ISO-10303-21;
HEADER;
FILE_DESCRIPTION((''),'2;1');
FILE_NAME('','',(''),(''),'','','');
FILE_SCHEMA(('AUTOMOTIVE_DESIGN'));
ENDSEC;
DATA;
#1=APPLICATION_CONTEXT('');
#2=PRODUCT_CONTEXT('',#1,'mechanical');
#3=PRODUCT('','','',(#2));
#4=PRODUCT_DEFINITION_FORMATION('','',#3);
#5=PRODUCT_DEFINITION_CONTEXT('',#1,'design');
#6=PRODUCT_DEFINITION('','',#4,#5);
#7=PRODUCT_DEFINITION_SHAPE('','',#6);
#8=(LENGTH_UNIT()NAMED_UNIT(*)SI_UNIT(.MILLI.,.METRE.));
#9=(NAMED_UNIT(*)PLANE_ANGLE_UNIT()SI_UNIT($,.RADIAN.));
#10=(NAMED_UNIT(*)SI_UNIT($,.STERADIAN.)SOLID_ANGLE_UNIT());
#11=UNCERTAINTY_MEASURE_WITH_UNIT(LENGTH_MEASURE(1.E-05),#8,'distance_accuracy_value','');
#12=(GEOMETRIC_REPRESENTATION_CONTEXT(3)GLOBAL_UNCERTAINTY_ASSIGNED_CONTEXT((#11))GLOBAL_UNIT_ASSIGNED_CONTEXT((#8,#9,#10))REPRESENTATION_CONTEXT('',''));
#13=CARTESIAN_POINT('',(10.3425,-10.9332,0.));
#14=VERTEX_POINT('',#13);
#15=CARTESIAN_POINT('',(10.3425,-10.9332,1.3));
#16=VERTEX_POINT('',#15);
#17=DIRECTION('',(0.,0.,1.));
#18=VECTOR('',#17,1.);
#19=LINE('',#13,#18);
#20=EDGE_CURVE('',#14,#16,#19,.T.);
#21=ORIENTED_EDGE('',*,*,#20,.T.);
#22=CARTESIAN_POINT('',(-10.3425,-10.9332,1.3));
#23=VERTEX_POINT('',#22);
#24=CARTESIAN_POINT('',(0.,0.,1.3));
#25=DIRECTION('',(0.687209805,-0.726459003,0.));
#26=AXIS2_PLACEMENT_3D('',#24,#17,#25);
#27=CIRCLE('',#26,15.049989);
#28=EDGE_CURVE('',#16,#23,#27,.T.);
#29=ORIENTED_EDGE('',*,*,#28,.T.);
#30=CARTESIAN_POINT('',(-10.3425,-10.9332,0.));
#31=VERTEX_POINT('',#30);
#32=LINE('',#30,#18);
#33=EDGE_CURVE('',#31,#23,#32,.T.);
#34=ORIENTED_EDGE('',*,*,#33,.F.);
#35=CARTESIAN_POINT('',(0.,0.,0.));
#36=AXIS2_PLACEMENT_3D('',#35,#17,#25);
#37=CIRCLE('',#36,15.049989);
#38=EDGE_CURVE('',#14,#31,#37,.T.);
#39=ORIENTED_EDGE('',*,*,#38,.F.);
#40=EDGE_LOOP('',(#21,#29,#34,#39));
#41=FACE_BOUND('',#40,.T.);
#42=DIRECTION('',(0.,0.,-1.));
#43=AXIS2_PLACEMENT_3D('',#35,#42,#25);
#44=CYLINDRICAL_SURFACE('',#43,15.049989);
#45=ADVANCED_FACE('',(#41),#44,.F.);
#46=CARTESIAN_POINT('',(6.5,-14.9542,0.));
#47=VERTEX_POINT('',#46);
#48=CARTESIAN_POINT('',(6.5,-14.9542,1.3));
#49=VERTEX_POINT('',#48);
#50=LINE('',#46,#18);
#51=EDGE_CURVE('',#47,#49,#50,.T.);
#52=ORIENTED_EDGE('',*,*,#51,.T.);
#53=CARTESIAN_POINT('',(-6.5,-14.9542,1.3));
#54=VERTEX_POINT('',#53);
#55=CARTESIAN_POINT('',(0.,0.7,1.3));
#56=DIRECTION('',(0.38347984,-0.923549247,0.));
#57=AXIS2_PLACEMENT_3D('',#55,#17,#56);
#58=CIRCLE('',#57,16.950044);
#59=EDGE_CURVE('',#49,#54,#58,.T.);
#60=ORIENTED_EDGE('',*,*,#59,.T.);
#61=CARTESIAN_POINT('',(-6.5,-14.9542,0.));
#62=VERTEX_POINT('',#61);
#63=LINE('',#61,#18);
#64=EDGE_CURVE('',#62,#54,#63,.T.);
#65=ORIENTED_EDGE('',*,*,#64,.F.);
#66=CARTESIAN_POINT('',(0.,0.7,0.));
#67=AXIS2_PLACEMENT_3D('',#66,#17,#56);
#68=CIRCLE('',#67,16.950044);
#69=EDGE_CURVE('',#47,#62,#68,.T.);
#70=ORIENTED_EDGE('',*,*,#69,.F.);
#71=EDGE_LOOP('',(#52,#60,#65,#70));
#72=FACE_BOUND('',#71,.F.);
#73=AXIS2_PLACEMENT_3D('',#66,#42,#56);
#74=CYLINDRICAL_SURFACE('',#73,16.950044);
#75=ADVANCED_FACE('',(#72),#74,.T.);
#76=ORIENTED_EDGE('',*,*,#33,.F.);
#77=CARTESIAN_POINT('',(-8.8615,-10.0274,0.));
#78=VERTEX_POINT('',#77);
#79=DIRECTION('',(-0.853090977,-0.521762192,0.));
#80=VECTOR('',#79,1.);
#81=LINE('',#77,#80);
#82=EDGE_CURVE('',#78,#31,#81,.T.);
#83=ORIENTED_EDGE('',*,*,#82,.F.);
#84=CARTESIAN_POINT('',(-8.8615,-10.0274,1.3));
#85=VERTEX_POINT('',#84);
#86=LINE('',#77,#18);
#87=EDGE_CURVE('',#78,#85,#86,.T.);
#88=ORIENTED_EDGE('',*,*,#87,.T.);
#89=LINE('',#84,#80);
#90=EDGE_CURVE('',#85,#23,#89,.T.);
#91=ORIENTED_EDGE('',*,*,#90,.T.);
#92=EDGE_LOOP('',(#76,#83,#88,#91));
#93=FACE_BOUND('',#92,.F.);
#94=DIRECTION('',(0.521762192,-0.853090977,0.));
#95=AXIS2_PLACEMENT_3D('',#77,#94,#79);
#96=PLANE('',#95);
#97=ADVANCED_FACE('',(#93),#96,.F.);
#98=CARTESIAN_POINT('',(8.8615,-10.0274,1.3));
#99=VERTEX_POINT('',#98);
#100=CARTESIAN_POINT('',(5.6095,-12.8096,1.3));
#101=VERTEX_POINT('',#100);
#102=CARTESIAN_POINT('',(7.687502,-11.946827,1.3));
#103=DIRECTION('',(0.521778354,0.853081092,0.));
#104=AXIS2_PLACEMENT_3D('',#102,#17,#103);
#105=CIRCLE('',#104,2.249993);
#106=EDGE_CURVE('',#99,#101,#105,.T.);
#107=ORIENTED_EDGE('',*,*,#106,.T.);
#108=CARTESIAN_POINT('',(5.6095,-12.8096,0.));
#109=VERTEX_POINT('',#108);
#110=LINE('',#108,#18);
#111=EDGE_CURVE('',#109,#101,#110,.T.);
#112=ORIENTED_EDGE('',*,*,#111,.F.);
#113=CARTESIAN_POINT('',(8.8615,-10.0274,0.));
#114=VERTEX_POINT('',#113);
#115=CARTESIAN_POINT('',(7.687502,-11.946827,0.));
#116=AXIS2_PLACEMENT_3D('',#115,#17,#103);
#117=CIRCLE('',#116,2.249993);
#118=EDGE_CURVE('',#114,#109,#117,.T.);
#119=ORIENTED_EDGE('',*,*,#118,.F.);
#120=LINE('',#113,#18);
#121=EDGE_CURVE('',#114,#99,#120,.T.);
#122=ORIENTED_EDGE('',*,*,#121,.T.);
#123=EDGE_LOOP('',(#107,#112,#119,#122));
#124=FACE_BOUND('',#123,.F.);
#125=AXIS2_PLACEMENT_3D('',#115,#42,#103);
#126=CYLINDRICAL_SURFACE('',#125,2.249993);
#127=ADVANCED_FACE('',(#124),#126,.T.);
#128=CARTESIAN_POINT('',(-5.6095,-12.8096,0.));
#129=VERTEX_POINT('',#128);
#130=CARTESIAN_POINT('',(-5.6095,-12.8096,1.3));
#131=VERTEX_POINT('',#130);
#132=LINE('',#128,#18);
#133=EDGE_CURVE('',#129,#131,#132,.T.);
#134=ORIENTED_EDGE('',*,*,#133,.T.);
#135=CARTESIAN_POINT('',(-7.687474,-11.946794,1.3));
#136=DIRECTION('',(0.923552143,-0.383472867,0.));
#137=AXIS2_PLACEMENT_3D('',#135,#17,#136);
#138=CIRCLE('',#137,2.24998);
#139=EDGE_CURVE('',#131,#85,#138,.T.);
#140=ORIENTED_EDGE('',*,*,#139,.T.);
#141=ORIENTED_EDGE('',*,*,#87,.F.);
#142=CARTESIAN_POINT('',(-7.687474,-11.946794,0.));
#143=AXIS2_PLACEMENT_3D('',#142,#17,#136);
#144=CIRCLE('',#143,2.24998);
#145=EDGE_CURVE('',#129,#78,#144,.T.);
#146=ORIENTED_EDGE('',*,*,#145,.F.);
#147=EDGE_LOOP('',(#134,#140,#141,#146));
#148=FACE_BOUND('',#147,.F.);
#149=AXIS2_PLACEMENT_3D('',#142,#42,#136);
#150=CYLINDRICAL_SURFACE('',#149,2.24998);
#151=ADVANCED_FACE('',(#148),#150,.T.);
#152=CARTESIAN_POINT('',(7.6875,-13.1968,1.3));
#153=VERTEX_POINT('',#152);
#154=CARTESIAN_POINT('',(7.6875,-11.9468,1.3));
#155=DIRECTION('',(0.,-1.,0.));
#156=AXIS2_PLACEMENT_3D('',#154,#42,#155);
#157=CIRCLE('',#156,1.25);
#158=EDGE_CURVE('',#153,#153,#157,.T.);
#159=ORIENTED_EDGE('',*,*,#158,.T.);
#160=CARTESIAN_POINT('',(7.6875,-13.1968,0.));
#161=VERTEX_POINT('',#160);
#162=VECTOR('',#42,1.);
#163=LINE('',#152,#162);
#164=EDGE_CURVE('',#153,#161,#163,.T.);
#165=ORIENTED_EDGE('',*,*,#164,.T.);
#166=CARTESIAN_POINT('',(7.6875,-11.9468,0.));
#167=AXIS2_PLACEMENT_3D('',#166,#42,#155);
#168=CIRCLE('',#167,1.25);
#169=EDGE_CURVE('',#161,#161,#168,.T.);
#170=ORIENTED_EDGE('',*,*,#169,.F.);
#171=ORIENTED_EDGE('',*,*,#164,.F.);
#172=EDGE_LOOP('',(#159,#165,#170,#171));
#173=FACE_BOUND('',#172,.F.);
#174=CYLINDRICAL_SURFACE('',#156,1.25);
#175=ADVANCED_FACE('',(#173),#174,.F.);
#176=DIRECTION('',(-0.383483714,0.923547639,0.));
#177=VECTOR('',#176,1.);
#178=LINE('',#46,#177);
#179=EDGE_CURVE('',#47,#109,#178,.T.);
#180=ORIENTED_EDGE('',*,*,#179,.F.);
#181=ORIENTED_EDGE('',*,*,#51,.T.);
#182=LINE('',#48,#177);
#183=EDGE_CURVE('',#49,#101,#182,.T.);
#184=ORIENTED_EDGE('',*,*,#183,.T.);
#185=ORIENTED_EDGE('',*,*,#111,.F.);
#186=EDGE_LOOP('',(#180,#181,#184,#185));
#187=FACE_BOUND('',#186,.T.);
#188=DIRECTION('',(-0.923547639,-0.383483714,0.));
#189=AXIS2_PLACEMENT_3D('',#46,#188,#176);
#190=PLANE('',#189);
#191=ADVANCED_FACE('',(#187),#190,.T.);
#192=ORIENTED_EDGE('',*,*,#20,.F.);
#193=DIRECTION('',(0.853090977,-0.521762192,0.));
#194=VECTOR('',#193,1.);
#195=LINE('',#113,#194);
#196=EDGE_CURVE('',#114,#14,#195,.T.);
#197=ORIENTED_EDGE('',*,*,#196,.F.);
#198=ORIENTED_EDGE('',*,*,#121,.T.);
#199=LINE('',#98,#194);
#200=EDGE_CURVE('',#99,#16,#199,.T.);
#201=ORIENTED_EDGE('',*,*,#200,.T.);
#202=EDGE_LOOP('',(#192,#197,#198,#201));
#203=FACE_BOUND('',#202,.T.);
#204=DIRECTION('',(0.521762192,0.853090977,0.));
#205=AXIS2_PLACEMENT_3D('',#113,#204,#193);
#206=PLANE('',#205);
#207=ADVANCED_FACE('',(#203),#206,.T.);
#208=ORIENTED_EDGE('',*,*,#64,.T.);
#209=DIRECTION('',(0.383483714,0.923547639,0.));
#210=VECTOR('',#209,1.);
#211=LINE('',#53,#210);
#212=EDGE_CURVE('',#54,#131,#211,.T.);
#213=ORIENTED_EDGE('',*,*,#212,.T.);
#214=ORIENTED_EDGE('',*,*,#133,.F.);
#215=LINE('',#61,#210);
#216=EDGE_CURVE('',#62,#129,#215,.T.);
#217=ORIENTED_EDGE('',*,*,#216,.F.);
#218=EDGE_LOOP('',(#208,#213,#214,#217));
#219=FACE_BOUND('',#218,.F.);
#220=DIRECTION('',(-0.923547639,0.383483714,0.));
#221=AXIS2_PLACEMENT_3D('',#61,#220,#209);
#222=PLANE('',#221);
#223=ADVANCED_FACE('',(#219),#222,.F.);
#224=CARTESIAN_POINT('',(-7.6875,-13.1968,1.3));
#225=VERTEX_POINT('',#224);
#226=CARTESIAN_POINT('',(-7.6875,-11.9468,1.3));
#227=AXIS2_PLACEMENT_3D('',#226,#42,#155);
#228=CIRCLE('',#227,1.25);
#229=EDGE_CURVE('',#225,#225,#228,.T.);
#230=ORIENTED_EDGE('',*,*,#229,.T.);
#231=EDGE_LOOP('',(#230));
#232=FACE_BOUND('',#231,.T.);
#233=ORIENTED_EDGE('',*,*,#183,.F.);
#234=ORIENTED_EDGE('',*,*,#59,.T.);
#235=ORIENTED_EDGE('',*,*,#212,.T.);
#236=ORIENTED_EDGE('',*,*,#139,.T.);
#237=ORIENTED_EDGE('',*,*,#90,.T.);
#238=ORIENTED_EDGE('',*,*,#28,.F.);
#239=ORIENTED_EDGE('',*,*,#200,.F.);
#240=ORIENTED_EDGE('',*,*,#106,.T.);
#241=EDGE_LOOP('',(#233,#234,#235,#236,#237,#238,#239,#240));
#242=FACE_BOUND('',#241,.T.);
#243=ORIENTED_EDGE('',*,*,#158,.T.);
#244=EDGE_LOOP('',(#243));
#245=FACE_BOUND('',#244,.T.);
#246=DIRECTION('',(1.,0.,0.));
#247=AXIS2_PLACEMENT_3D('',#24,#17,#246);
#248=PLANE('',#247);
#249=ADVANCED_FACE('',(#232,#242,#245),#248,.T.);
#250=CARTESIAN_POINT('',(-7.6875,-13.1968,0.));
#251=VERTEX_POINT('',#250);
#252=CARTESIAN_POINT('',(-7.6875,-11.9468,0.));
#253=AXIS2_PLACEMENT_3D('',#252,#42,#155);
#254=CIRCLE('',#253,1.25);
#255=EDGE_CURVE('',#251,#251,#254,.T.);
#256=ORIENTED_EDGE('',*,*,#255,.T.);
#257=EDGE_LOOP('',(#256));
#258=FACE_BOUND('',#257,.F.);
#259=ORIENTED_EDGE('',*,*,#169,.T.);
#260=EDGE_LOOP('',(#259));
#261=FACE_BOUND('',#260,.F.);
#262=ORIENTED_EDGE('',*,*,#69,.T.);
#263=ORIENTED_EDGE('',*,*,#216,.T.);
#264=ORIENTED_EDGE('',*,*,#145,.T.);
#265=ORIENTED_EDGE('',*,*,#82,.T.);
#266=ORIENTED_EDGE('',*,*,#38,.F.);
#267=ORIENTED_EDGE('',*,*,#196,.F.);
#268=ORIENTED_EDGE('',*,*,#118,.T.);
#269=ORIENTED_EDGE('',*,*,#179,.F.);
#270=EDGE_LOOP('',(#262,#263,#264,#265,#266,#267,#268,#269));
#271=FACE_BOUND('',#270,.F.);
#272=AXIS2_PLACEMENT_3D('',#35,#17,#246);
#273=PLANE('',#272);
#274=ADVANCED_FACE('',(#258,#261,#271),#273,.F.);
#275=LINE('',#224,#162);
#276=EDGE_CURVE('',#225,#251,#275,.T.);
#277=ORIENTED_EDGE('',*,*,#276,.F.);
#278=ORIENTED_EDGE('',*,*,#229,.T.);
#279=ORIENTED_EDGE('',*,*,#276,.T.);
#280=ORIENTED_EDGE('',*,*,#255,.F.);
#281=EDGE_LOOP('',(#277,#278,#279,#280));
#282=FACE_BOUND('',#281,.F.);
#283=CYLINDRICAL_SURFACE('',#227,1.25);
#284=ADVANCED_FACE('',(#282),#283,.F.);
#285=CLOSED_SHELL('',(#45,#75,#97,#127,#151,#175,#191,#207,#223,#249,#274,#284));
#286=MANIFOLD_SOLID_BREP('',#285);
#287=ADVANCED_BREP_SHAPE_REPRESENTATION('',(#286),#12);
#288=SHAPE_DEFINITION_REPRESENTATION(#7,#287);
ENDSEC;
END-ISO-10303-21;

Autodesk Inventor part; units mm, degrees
ref_plane "WorkPlane1" through (0, 0, 0) normal (0, 0, 1) x (1, 0, 0)
ref_plane "Work Plane2" through (0, 0, -1.3) normal (0, 0, 1) x (1, 0, 0)
ref_plane "WorkPlane2" through (0, 0, 1) normal (0, 0, 1) x (1, 0, 0)
sketch "Szkic1" plane through (0, 0, 0) normal (0, 0, 1) x (1, 0, 0)
  point P0 (0, 0)
sketch "Szkic2" plane through (0, 0, 0) normal (0, 0, 1) x (1, 0, 0)
  line L0 (6.5, -14.9542) -> (5.6095, -12.8096)
  arc A0 (8.8615, -10.0274) -> (5.6095, -12.8096) centre (7.6875, -11.9468) ccw
  line L1 (8.8615, -10.0274) -> (10.3425, -10.9332)
  arc A1 (10.3425, -10.9332) -> (-10.3425, -10.9332) centre (0, 0) ccw
  line L2 (-8.8615, -10.0274) -> (-10.3425, -10.9332)
  arc A2 (-5.6095, -12.8096) -> (-8.8615, -10.0274) centre (-7.6875, -11.9468) ccw
  line L3 (-6.5, -14.9542) -> (-5.6095, -12.8096)
  arc A3 (6.5, -14.9542) -> (-6.5, -14.9542) centre (0, 0.7) ccw
  line L4 (0, 0.7) -> (-6.5, -14.9542) construction
  line L5 (0, 0.7) -> (6.5, -14.9542) construction
  dimension "d2" = 16.95
  dimension "d4" = 0
  dimension "d6" = 15.05
  dimension "d8" = 0.7
  dimension "d10" = 6.5
  dimension "d12" = 6.5
  dimension "d14" = 2.25
  dimension "d16" = 2.25
  dimension "d18" = 14.8
  dimension "d20" = 14.8
  dimension "d22" = 36
  dimension "d24" = 36
extrude "Wyciągnięcie proste1" add sketch "Szkic2" along normal blind 1.3
sketch "Szkic3" plane through (0, 0, 1.3) normal (0, 0, 1) x (1, 0, 0)
  arc A0 (-5.6095, -12.8096) -> (-8.8615, -10.0274) centre (-7.6875, -11.9468) ccw projected
hole "Otwór1" at (-7.6875, -11.9468, 1.3) direction (0, 0, -1) diameter 2.5 end through all
sketch "Szkic4" plane through (0, 0, 1.3) normal (0, 0, 1) x (1, 0, 0)
  arc A0 (8.8615, -10.0274) -> (5.6095, -12.8096) centre (7.6875, -11.9468) ccw projected
hole "Otwór2" at (7.6875, -11.9468, 1.3) direction (0, 0, -1) diameter 2.5 end through all
equation "\"d2\" = 0.5 * Diam2"
equation "\"d6\" = 0.5 * msp_dd1"
equation "\"d8\" = -0.5 * msp_dd1 + 0.5 * Diam2 - 0.222222 * ParA"
equation "\"d10\" = 2.6 * Diam5"
equation "\"d12\" = 2.6 * Diam5"
equation "\"d14\" = 0.9 * Diam5"
equation "\"d16\" = 0.9 * Diam5"
equation "\"d18\" = 1.3 * Diam5 + 0.5 * Diam2 - ParA"
equation "\"d20\" = 1.3 * Diam5 + 0.5 * Diam2 - ParA"
equation "\"d25\" = ParS"
equation "\"d29\" = Diam5"
equation "\"d36\" = Diam5"
equation "\"Diam5\" = 2.5"
equation "\"ParA\" = 5.4"
equation "\"ParS\" = 1.3"
equation "\"Diam2\" = 33.9"
equation "\"msp_dd1\" = -b + Diam2 - 0.111111 * ParA"
equation "\"msp_pom\" = 0.5 * Diam2 - b"
equation "\"TEMPLATE\" = 1.2345"
properties part number "ANSI B 27.7M - 3BMI-32" material "Stal, miękka"
